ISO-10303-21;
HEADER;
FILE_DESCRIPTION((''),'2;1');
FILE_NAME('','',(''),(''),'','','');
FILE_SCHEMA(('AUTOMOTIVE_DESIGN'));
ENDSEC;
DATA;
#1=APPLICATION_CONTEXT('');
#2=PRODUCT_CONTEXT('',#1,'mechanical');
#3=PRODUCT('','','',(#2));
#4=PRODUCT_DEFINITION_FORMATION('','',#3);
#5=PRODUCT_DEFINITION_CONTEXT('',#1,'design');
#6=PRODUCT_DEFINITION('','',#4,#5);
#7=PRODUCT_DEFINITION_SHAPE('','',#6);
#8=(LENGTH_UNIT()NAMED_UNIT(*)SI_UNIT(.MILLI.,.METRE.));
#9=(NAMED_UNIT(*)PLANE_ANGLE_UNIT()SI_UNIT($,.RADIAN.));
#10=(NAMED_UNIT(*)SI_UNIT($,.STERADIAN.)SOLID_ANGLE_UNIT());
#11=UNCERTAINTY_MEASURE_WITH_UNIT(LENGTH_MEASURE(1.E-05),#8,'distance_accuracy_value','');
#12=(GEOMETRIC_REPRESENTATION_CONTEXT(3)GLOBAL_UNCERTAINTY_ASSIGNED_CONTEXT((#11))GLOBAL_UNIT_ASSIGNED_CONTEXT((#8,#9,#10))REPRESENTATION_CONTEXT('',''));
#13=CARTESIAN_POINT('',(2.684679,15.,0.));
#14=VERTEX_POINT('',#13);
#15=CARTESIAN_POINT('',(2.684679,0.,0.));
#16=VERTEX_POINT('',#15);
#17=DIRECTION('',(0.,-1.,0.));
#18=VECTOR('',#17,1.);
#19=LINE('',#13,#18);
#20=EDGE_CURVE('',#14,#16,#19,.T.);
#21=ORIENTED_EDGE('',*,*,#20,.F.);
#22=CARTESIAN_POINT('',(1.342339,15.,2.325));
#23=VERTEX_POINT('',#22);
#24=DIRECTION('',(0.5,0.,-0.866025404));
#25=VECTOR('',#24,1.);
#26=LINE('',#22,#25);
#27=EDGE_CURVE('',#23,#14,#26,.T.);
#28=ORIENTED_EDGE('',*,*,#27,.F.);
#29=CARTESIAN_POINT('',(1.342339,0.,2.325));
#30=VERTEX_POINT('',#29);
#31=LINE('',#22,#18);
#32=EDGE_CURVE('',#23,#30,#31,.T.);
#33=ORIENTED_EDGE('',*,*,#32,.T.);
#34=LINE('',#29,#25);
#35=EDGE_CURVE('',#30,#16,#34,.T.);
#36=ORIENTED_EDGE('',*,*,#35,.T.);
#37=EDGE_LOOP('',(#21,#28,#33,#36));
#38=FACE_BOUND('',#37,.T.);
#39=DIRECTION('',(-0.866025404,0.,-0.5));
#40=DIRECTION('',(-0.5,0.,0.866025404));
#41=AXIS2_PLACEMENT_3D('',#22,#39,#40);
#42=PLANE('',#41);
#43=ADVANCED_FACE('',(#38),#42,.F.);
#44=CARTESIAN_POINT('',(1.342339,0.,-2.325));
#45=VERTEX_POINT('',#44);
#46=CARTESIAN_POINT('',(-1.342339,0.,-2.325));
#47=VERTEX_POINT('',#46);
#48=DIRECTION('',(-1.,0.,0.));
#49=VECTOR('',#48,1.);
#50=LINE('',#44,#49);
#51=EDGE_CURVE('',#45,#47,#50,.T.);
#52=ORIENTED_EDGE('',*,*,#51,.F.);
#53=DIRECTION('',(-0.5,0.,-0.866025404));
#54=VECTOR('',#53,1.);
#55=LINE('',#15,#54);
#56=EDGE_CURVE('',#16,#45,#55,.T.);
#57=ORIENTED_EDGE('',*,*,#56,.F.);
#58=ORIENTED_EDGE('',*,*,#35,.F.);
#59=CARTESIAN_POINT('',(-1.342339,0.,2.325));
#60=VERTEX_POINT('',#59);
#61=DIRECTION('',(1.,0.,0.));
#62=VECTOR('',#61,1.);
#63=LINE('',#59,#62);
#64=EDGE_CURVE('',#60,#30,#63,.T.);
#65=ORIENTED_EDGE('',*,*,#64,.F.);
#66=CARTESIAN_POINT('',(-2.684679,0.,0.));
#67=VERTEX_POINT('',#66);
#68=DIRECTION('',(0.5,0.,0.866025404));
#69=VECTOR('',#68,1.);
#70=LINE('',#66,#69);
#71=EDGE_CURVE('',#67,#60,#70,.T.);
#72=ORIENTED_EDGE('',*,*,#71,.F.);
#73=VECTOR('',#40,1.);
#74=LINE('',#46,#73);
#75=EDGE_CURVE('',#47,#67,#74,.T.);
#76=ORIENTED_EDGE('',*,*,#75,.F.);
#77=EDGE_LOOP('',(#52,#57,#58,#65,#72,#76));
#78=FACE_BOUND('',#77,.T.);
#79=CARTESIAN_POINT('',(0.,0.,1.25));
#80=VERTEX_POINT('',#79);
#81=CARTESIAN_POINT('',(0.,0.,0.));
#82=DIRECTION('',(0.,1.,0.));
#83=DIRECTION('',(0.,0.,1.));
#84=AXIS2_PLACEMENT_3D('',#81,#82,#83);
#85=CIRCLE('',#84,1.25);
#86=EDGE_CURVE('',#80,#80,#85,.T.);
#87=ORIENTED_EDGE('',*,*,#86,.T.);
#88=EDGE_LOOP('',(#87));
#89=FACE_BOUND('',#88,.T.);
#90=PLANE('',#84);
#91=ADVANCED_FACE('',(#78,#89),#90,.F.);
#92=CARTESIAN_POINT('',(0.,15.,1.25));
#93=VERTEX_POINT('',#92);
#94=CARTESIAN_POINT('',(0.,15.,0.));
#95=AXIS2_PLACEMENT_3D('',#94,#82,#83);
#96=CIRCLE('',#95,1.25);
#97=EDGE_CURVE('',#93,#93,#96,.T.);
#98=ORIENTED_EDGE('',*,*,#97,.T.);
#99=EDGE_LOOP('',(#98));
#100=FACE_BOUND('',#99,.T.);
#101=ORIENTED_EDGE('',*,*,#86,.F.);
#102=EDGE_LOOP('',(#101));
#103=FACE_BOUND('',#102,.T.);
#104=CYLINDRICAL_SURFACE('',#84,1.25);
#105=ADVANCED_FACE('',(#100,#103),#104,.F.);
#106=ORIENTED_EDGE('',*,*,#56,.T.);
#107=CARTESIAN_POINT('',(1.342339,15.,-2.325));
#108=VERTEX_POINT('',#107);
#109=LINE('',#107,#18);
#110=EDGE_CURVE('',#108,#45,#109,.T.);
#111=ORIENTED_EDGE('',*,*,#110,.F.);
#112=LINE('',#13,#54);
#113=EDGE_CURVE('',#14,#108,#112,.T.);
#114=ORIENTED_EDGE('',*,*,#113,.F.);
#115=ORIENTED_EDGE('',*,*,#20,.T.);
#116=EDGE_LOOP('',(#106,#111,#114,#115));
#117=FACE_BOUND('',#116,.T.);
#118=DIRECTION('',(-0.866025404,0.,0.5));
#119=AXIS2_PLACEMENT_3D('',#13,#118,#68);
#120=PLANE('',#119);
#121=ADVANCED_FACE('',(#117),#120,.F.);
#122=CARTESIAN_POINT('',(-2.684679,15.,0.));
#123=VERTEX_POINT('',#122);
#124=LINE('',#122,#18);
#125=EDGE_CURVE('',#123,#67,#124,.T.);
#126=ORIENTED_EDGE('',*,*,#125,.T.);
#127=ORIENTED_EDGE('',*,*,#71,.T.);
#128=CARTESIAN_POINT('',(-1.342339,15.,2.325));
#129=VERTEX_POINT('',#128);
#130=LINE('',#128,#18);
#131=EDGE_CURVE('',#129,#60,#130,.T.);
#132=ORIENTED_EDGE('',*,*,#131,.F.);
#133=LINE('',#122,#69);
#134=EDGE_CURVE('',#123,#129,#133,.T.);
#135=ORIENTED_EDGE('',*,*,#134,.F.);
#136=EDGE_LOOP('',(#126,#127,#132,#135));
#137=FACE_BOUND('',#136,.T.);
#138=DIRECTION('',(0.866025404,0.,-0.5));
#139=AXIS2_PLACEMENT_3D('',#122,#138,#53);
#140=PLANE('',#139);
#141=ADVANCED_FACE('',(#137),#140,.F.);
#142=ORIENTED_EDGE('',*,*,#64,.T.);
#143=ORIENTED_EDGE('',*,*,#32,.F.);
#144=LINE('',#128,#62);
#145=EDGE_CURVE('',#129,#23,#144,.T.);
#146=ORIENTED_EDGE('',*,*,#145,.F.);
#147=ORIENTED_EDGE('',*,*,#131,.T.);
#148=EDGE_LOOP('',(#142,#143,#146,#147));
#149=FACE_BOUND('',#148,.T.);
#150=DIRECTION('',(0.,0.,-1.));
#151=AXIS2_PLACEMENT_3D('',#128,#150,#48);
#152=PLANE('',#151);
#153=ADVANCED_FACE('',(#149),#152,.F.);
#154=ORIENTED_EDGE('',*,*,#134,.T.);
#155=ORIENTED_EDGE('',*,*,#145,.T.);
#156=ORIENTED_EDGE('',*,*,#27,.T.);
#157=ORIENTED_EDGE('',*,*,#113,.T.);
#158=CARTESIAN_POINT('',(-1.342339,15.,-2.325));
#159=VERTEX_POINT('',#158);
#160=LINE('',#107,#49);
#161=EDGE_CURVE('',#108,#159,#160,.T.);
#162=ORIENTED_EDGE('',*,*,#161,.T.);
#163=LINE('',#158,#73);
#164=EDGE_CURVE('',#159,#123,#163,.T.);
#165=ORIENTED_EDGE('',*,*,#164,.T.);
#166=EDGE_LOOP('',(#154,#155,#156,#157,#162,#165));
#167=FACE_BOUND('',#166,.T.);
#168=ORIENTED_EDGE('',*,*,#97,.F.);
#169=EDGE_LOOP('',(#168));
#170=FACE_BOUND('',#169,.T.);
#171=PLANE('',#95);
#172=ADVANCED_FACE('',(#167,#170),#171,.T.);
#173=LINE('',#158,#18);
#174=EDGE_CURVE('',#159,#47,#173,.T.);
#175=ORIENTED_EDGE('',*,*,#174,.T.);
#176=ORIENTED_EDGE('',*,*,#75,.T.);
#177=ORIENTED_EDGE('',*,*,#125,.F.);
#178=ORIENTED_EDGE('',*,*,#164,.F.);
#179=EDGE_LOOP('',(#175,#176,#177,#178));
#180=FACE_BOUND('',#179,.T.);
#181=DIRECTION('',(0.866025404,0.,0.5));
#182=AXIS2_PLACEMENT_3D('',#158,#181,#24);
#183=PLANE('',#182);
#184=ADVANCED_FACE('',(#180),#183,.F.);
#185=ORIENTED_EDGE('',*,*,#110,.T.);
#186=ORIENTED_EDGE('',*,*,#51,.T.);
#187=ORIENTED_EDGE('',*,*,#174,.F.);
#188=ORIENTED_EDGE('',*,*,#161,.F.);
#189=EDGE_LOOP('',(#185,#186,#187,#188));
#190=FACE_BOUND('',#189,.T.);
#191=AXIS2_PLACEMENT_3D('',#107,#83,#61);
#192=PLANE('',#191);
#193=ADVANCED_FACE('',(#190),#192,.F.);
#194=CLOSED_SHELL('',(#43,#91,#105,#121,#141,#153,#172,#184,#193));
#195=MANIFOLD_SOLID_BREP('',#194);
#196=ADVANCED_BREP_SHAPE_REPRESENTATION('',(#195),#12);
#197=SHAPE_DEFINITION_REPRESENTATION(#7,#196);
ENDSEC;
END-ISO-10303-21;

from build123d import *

# Parameters (mm, degrees)
BASE_DEPTH      = 15
HOLE_DEPTH      = 16.41470483
HOLE_DEPTH_BACK = 16.41470483
SKETCH2_R       = 1.25


with BuildPart() as part:
    # Sketch1 → base (new body)
    with BuildSketch(Plane(origin=(0, 0, 0), x_dir=(1, 0, 0), z_dir=(0, 1, 0))):
        Polygon((2.684678752, 0), (1.342339376, 2.325), (-1.342339376, 2.325), (-2.684678752, 0), (-1.342339376, -2.325), (1.342339376, -2.325), align=None)
    extrude(amount=BASE_DEPTH)

    # Sketch2 → hole (cut, two sides: drawn at the far end of the back side and taken through both)
    with BuildSketch(Plane(origin=(0, 15, 0), x_dir=(1, 0, 0), z_dir=(0, 1, 0)).offset(-HOLE_DEPTH_BACK)):
        with Locations(Location((0, 0, 0), (0, 0, 270))):
            Circle(SKETCH2_R)
    extrude(amount=HOLE_DEPTH + HOLE_DEPTH_BACK, mode=Mode.SUBTRACT)


solid = part.part
